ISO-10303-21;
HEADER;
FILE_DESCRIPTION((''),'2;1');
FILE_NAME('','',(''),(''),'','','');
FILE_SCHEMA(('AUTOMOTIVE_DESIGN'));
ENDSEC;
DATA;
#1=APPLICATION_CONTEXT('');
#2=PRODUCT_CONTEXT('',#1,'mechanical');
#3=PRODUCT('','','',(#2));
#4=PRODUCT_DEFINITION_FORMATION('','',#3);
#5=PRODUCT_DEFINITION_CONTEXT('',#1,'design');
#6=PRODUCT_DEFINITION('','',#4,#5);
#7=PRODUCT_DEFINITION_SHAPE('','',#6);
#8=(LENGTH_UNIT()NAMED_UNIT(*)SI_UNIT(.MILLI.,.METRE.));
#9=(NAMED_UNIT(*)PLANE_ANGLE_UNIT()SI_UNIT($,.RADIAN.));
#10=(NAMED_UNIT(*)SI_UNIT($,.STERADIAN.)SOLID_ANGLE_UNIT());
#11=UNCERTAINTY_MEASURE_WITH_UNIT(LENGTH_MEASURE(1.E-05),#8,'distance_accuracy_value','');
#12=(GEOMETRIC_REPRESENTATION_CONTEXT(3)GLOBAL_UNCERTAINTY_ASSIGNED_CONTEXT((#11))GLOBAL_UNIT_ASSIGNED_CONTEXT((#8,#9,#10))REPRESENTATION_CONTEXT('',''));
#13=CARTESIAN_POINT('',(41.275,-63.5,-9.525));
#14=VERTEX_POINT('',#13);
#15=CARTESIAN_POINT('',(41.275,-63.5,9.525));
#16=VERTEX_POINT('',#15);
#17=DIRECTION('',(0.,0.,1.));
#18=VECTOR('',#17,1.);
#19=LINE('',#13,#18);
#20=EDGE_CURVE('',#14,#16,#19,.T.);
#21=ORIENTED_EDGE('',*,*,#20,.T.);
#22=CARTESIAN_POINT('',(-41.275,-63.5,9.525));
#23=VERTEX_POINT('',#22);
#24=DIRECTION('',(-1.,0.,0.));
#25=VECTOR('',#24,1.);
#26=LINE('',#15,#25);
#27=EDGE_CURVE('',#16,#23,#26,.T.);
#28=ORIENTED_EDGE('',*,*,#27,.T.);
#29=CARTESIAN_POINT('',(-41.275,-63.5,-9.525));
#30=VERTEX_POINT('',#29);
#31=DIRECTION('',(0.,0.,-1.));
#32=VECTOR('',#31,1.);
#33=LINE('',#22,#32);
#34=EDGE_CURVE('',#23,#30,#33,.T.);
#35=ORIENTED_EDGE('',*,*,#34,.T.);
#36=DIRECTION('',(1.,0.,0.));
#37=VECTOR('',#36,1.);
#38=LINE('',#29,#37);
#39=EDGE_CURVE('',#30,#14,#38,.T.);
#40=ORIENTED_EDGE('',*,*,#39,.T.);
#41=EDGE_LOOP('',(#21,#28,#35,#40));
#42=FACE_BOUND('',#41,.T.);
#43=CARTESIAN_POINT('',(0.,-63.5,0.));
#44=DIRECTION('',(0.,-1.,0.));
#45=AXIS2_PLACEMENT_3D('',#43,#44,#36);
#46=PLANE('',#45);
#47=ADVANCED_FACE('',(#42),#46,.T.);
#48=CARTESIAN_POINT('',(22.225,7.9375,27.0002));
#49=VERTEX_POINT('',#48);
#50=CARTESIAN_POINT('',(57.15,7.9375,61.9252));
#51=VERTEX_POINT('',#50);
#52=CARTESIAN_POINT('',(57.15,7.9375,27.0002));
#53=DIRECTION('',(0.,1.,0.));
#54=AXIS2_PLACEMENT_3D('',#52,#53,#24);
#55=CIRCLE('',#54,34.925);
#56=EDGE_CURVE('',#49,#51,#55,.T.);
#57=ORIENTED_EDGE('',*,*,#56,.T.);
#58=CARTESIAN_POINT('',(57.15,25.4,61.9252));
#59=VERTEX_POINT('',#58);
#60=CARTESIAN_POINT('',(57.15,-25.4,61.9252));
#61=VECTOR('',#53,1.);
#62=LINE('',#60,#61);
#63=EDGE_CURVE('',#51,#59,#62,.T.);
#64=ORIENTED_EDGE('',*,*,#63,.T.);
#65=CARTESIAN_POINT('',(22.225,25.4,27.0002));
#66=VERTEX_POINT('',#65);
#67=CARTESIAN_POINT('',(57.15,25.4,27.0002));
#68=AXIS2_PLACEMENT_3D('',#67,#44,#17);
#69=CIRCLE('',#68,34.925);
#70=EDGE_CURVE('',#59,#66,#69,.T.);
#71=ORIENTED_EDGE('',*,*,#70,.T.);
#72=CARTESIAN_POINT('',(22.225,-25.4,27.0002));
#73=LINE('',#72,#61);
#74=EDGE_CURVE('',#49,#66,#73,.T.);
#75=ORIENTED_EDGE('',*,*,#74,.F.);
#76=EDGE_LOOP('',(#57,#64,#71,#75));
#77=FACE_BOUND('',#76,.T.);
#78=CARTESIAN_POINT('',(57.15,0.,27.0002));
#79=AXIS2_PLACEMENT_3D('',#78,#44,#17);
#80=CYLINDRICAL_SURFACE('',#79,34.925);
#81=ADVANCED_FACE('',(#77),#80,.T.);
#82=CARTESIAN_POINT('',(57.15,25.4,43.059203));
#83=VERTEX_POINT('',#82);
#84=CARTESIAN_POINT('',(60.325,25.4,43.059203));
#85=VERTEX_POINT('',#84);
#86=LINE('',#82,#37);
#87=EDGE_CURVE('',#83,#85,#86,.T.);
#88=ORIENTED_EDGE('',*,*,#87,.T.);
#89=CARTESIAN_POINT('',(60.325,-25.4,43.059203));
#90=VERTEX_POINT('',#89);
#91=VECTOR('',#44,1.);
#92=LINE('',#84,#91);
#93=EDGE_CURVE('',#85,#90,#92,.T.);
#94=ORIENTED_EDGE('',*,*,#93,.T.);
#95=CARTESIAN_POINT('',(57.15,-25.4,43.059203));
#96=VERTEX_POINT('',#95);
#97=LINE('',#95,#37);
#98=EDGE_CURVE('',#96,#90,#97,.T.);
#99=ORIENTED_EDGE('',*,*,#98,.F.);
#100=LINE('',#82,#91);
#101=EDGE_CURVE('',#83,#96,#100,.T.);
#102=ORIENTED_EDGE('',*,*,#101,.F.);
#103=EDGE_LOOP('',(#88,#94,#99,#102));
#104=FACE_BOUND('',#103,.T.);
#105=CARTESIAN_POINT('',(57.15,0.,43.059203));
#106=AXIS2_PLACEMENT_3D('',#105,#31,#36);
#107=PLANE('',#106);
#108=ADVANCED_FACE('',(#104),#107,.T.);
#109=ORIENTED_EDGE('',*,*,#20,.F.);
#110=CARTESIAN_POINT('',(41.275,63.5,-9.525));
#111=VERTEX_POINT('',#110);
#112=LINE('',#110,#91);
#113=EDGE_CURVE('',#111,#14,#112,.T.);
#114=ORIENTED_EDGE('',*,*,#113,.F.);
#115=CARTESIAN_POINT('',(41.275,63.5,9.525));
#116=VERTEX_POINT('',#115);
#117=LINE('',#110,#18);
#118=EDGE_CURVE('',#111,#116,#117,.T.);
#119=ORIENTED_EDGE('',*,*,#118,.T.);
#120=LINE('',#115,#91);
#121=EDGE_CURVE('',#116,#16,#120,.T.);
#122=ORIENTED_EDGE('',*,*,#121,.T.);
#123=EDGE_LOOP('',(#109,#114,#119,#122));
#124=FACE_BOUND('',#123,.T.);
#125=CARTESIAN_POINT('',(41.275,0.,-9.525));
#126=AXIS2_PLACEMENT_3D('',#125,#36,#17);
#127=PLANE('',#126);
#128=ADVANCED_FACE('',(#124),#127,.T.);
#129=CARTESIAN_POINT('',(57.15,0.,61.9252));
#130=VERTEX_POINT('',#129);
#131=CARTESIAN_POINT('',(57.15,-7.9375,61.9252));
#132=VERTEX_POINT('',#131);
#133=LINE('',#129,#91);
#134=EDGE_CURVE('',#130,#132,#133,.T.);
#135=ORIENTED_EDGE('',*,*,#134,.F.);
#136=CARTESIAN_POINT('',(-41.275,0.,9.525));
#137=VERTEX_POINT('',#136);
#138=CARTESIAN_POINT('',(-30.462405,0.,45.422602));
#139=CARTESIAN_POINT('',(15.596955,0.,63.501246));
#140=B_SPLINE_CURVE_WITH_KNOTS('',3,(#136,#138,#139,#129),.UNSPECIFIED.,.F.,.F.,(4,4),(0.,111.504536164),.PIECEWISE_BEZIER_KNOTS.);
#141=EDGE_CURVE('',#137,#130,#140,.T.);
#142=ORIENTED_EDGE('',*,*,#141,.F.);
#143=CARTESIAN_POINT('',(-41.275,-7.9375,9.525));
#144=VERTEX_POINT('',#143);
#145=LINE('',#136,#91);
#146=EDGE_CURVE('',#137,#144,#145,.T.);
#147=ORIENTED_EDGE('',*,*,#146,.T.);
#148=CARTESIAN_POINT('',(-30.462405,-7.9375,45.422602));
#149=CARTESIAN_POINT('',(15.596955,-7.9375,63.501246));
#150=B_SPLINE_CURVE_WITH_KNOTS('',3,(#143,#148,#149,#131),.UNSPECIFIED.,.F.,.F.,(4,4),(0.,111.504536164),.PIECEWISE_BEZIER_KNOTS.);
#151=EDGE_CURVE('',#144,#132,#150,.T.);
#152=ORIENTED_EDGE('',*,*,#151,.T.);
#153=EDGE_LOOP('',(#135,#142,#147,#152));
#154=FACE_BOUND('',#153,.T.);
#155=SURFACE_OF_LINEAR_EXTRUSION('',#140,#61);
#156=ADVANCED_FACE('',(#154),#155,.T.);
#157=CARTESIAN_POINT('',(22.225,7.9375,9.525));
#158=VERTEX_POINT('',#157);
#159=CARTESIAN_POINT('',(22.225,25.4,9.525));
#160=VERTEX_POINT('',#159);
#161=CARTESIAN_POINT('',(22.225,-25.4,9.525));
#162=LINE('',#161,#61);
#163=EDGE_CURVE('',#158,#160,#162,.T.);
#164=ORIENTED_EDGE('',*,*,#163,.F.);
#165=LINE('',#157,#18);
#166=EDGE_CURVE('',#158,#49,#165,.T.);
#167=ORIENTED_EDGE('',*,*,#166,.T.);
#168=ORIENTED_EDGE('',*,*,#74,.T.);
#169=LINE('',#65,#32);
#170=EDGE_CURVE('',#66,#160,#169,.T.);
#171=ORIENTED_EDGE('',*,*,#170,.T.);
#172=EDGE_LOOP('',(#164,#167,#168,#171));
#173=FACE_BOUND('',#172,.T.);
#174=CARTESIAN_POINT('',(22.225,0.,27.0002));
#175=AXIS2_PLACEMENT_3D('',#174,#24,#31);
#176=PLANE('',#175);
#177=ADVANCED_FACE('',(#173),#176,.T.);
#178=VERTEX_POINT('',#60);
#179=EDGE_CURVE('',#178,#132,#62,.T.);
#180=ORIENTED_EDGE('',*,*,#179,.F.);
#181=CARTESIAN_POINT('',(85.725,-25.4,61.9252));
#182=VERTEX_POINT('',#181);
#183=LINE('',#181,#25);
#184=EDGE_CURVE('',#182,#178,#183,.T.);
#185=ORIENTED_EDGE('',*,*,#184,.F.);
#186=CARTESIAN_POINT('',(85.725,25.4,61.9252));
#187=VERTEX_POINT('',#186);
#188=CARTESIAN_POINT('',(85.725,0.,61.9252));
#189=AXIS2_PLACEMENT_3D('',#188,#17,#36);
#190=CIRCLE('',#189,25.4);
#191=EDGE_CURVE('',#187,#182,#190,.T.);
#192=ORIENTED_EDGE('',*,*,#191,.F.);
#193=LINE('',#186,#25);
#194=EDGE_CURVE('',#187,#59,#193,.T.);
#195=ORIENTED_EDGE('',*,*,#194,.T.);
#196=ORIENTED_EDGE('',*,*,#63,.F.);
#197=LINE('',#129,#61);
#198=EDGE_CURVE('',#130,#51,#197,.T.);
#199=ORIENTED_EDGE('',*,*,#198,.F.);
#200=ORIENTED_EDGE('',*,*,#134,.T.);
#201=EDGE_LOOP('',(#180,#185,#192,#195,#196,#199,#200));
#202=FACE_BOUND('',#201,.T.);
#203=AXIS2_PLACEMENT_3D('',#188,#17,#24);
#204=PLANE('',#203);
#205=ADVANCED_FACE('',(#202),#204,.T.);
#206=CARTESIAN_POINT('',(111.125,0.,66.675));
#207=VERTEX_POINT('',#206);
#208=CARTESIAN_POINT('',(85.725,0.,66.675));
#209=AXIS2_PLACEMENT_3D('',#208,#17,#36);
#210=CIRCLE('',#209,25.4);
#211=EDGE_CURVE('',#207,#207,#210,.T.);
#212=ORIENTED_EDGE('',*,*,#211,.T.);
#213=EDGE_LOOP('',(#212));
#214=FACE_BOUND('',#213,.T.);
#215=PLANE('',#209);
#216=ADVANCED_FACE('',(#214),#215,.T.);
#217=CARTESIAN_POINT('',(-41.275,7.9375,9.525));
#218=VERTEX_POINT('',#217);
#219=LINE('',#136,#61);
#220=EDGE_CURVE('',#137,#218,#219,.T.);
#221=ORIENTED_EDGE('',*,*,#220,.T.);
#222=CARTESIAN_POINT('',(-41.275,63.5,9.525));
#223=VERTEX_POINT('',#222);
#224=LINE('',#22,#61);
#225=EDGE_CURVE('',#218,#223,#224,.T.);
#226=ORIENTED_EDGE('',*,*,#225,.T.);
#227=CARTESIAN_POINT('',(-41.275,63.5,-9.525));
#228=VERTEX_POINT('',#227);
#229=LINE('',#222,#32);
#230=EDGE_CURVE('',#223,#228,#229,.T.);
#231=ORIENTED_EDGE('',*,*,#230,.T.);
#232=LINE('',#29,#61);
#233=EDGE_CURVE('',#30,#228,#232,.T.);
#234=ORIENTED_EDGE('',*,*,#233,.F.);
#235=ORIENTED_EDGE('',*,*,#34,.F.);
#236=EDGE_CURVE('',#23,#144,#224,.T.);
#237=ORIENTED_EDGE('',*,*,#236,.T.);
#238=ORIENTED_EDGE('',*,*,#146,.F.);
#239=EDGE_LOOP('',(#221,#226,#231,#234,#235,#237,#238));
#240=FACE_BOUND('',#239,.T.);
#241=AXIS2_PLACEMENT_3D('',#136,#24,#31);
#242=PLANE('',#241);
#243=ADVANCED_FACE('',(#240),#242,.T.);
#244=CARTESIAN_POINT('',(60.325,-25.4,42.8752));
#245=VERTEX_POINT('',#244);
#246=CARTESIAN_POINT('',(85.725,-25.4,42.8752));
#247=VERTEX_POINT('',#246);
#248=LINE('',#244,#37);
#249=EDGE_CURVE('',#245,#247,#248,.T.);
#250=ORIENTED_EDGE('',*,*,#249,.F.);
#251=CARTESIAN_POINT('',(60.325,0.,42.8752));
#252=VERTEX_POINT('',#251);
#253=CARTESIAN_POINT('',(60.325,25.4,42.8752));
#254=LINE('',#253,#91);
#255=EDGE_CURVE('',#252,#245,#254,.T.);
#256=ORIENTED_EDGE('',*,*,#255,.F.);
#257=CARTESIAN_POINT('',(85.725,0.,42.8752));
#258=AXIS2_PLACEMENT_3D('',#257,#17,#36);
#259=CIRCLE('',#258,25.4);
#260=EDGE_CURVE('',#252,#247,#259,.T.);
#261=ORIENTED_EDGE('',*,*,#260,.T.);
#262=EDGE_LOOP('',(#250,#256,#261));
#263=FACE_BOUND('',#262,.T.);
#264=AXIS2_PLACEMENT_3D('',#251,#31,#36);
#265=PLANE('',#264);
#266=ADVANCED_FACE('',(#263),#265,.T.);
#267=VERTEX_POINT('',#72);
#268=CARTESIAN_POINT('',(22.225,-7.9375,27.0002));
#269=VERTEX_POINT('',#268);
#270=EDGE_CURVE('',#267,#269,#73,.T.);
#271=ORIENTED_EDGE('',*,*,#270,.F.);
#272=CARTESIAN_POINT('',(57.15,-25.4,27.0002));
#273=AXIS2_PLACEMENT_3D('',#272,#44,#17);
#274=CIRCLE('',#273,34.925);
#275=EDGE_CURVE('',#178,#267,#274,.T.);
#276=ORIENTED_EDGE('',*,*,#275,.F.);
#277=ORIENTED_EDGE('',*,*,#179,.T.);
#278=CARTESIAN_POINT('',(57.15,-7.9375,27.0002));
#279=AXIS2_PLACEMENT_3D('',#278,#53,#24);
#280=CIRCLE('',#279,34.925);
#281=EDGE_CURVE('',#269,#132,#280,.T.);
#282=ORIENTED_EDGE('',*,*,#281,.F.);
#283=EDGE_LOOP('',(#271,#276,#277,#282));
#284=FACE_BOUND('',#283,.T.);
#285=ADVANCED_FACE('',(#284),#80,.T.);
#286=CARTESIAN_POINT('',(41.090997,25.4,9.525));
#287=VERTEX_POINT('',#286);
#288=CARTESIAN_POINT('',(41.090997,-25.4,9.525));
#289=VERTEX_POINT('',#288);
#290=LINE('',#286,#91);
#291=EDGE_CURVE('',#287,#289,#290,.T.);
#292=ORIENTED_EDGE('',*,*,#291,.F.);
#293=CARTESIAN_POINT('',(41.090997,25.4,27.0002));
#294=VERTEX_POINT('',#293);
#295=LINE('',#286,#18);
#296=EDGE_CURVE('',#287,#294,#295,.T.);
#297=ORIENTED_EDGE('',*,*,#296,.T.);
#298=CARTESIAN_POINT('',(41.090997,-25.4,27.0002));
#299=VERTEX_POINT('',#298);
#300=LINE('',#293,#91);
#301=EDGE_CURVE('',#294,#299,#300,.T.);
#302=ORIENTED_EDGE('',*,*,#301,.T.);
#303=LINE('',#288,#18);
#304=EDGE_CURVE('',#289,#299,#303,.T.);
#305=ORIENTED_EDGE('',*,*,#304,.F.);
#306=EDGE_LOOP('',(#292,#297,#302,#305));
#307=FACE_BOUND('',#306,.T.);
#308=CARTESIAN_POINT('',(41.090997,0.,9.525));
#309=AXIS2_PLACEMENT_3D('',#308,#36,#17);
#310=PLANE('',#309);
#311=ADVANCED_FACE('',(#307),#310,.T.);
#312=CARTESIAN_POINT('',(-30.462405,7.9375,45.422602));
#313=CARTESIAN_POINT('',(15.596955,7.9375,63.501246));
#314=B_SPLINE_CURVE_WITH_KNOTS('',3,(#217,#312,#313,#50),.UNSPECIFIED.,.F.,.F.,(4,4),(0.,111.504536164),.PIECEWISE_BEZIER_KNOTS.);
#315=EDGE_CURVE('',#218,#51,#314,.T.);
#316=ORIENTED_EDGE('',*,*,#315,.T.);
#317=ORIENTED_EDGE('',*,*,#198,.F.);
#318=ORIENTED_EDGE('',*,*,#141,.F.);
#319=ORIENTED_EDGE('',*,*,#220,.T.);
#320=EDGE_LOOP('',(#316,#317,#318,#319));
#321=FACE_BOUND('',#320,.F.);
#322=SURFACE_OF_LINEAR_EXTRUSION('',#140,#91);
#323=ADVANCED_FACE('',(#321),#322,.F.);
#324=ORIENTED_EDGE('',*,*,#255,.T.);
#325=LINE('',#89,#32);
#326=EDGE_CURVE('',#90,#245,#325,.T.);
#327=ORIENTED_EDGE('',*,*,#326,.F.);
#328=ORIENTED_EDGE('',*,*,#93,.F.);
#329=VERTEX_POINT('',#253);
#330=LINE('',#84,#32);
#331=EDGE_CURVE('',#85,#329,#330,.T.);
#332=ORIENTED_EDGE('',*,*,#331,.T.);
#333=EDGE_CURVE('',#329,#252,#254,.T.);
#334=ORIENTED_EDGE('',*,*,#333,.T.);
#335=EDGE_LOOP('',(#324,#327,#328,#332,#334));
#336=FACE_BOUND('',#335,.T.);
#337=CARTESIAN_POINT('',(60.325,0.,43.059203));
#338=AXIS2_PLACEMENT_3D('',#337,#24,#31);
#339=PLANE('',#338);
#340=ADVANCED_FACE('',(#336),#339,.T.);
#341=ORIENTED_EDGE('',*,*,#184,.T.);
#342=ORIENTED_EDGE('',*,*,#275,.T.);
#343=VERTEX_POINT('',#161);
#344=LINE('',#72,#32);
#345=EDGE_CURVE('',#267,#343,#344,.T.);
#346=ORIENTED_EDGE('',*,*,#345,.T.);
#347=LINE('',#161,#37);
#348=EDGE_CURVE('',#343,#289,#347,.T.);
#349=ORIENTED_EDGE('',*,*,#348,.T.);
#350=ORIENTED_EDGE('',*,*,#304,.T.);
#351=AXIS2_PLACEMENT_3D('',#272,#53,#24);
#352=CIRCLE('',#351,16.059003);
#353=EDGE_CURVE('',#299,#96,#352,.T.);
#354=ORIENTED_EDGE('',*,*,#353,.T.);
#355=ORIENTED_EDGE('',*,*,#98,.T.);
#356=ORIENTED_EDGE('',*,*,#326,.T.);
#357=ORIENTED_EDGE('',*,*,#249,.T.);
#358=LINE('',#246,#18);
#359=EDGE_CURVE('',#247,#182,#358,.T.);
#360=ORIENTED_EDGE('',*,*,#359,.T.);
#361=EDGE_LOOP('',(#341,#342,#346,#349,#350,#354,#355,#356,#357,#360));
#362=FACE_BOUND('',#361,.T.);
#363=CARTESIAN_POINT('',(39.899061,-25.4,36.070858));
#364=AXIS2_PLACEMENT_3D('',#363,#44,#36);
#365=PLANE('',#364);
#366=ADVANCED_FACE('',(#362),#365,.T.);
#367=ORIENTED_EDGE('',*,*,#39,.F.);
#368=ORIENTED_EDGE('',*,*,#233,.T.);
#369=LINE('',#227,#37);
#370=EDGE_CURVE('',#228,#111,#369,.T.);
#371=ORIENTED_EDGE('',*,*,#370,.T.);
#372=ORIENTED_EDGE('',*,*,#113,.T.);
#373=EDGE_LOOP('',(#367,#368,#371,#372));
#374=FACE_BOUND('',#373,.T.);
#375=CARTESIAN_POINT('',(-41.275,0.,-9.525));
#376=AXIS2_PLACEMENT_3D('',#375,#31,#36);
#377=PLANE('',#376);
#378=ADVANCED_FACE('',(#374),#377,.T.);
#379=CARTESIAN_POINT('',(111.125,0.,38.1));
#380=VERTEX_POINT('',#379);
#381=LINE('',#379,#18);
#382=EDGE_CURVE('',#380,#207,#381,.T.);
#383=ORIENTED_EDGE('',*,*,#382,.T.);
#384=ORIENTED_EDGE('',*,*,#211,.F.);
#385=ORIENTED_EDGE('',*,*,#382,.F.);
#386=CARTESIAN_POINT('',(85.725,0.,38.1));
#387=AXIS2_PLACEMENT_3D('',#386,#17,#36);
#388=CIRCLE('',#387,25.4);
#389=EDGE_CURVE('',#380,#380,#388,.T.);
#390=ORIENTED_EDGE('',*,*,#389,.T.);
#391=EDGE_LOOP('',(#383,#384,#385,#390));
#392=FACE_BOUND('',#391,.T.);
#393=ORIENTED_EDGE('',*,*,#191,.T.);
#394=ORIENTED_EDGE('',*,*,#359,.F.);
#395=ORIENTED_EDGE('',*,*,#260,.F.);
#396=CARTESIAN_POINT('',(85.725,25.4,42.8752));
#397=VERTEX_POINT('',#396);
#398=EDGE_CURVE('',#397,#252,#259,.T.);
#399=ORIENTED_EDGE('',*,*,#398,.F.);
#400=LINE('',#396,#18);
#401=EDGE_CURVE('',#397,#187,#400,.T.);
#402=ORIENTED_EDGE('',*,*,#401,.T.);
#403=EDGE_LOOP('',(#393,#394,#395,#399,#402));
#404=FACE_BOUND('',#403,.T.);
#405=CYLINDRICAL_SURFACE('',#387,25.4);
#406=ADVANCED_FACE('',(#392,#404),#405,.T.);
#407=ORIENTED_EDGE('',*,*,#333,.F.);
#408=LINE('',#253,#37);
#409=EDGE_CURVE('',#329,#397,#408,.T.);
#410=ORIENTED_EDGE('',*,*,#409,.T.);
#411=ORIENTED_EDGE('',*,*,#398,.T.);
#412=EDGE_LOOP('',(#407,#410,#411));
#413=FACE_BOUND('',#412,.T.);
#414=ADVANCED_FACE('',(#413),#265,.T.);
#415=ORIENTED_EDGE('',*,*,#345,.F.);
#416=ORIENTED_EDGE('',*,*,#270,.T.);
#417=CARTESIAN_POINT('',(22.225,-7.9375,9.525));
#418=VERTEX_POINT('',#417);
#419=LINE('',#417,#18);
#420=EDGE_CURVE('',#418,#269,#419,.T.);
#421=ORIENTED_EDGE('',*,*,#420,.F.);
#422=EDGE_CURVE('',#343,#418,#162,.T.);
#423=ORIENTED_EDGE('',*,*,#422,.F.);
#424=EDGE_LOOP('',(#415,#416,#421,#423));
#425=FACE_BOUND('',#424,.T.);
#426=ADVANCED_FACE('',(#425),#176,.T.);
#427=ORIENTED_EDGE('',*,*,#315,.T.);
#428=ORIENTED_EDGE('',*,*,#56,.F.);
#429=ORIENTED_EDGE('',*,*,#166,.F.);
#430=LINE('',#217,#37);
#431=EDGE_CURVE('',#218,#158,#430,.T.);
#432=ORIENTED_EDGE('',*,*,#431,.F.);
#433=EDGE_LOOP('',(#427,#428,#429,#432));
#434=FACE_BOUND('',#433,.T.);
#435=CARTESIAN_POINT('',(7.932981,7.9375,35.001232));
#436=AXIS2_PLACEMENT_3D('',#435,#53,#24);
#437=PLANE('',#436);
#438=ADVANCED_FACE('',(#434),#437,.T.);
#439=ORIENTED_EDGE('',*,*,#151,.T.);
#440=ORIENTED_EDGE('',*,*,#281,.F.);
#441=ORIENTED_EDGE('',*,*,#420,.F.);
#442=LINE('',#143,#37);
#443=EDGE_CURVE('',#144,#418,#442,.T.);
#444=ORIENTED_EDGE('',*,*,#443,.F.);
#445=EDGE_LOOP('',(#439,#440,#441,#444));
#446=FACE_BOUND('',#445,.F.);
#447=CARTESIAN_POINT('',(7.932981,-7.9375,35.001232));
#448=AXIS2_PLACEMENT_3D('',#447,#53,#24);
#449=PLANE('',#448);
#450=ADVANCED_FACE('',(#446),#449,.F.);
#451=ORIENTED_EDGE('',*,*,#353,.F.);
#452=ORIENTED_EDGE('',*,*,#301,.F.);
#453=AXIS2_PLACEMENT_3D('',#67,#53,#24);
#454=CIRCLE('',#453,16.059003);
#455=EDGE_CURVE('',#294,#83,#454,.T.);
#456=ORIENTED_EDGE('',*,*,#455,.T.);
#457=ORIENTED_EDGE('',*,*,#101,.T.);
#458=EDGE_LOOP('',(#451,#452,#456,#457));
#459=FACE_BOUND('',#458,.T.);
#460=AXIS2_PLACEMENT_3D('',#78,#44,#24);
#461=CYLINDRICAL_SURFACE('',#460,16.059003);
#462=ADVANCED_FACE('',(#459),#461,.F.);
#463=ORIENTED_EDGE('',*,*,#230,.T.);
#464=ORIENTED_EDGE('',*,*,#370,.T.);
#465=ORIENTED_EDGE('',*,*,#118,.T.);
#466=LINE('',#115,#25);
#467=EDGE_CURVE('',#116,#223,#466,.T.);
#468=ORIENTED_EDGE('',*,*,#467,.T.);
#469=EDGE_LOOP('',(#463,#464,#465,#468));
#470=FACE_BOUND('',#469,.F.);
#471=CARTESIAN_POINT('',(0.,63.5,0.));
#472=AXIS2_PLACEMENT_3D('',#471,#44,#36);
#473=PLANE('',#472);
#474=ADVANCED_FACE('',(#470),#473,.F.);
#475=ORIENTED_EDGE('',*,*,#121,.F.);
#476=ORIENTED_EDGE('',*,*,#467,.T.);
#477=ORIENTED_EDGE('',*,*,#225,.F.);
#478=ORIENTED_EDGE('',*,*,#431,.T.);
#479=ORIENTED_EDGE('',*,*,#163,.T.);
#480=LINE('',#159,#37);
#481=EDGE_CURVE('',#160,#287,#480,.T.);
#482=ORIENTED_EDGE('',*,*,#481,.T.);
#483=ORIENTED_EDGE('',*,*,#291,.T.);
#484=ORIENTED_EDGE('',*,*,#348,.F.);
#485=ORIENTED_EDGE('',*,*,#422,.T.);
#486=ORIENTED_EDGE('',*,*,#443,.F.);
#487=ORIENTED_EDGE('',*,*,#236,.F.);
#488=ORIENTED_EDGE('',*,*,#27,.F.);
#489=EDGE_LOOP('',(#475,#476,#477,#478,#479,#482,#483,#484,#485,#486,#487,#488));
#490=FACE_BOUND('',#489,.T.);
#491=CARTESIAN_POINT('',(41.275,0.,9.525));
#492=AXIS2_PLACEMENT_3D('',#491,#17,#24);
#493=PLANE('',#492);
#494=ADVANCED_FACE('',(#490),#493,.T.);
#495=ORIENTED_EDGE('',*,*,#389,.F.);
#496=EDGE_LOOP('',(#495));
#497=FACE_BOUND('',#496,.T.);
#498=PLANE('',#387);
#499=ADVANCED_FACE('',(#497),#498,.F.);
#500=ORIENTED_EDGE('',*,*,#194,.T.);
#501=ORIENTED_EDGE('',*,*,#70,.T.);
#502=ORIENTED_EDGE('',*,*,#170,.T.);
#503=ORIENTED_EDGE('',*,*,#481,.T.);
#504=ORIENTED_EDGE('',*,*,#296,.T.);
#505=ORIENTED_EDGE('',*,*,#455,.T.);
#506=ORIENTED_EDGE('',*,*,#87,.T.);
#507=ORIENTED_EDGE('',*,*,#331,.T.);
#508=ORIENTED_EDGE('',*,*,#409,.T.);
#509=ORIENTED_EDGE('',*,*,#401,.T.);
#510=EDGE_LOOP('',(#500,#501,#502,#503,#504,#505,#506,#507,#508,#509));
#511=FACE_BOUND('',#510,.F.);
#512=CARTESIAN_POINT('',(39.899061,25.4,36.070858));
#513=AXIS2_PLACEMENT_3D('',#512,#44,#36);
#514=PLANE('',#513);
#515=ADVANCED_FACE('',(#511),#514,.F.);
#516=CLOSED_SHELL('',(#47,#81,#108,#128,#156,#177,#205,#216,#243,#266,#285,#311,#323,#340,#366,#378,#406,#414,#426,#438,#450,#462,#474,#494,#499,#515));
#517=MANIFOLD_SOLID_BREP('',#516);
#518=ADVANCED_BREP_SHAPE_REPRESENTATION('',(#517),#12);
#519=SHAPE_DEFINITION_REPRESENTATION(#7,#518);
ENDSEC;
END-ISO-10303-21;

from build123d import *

# Parameters (mm, degrees)
F1_DEPTH = 63.5
F2_DEPTH = 25.4
F3_DEPTH = 7.9375


with BuildPart() as f1:
    # F0 (on Front) → F1 (new body, symmetric)
    with BuildSketch(Plane.XZ):
        Polygon((-41.275, -9.525), (41.275, -9.525), (41.275, 9.525), (41.0909965214, 9.525), (22.225, 9.525), (-41.275, 9.525), align=None)
    extrude(amount=F1_DEPTH, both=True)

    # F0 (on Front) → F2 (join, symmetric)
    with BuildSketch(Plane.XZ):
        with BuildLine():
            Line((22.225, 9.525), (41.0909965214, 9.525))
            Line((41.0909965214, 9.525), (41.0909965214, 27.0002))
            ThreePointArc((41.0909965214, 27.0002), (45.7945697412, 38.3556302588), (57.15, 43.0592034786))
            Line((57.15, 43.0592034786), (60.325, 43.0592034786))
            Line((60.325, 43.0592034786), (60.325, 61.9252))
            Line((60.325, 61.9252), (57.15, 61.9252))
            ThreePointArc((57.15, 61.9252), (32.4542956671, 51.6959043329), (22.225, 27.0002))
            Line((22.225, 27.0002), (22.225, 9.525))
        make_face()
        Polygon((85.725, 61.9252), (60.325, 61.9252), (60.325, 43.0592034786), (60.325, 42.8752), (85.725, 42.8752), align=None)
    extrude(amount=F2_DEPTH, both=True)

    # F0 (on Front) → F3 (join, symmetric)
    with BuildSketch(Plane.XZ):
        with BuildLine():
            add(Edge.make_bspline(
                [(-41.275, 9.525), (-30.462404713, 45.4226024449), (15.5969550833, 63.5012462735), (57.15, 61.9252)],
                knots=[0, 0, 0, 0, 111.5045361635, 111.5045361635, 111.5045361635, 111.5045361635], degree=3))
            Line((-41.275, 9.525), (22.225, 9.525))
            Line((22.225, 9.525), (22.225, 27.0002))
            ThreePointArc((22.225, 27.0002), (32.4542956671, 51.6959043329), (57.15, 61.9252))
        make_face()
    extrude(amount=F3_DEPTH, both=True)

    # F0 (on Front) → F4 (revolve)
    with BuildSketch(Plane.XZ):
        Polygon((85.725, 66.675), (85.725, 61.9252), (85.725, 42.8752), (85.725, 38.1), (111.125, 38.1), (111.125, 66.675), align=None)
    revolve(axis=Axis((85.725, 0, 52.3875), (0, 0, 1)))


solid = f1.part
